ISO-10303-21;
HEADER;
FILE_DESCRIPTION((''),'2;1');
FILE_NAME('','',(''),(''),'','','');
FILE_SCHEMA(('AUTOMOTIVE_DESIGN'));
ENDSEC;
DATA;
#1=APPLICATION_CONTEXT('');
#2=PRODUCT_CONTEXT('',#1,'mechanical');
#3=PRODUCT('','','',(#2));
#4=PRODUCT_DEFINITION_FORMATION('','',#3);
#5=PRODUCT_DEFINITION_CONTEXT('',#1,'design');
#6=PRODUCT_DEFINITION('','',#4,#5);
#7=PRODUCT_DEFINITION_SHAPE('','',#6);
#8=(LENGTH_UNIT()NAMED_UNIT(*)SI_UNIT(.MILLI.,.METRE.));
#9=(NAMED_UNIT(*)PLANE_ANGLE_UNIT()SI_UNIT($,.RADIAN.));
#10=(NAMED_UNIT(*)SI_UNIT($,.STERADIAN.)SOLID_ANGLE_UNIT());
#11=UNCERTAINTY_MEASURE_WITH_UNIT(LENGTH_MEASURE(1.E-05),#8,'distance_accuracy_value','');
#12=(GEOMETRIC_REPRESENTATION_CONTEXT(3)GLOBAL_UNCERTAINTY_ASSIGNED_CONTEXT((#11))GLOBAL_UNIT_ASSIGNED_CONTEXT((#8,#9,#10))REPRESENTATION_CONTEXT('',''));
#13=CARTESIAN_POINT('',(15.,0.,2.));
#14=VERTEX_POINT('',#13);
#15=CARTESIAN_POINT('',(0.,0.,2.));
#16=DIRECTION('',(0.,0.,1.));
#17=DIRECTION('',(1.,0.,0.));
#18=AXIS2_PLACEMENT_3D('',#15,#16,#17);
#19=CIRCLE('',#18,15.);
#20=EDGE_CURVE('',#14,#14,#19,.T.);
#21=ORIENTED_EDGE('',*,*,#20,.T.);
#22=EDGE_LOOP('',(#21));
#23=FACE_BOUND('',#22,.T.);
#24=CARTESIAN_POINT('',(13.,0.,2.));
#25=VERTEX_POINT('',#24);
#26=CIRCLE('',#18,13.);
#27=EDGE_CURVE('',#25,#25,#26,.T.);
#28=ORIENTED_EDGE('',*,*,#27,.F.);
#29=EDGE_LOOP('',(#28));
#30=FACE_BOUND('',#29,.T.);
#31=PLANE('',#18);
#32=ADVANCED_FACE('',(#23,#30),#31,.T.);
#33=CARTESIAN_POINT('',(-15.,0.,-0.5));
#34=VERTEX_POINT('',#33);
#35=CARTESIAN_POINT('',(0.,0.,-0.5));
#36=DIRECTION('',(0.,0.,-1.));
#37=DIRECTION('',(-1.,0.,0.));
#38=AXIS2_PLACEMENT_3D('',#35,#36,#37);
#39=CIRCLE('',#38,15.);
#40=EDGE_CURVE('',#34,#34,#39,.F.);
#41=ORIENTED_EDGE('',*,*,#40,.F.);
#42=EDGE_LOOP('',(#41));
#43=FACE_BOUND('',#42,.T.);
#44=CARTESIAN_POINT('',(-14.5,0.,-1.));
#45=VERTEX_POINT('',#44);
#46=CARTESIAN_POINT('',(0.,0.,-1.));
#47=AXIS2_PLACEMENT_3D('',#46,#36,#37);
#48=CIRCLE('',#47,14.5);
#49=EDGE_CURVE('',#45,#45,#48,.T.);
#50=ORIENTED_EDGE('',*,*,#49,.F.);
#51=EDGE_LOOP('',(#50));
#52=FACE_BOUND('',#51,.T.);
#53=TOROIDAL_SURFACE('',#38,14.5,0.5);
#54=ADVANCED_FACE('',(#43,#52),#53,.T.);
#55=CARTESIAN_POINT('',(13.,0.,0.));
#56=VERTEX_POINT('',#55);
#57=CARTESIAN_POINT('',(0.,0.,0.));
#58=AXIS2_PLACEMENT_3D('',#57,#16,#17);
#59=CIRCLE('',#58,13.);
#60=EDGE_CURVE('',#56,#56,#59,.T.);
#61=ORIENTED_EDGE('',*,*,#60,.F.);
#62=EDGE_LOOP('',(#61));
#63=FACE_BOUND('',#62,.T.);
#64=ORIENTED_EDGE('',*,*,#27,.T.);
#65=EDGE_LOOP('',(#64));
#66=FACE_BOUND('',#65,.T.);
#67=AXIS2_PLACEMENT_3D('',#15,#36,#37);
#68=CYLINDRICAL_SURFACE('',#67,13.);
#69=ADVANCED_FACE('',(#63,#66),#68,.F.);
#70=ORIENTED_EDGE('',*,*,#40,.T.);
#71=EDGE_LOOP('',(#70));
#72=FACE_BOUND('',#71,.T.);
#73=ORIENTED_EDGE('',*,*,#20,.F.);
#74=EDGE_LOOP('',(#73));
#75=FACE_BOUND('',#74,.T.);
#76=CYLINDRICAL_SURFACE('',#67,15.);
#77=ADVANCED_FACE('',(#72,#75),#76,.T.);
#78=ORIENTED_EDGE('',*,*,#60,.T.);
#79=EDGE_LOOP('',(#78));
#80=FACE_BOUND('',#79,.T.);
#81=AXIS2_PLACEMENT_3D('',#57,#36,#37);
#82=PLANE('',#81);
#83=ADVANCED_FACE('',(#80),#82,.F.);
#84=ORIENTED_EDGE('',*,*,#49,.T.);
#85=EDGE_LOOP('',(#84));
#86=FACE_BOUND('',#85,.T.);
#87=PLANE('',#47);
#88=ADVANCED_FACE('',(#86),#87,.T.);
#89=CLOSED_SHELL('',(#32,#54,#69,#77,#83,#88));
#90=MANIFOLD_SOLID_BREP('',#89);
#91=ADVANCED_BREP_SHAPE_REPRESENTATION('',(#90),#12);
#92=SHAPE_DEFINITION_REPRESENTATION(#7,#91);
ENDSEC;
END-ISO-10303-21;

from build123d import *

# Parameters (mm, degrees)
SKETCH1_R           = 15
SKETCH1_R_2         = 13
BOSS_EXTRUDE1_DEPTH = 2
BOSS_EXTRUDE2_START = 1
SKETCH2_R           = 15
BOSS_EXTRUDE2_DEPTH = 1
FILLET1_R           = 0.5


with BuildPart() as part:
    # Sketch1 → Boss-Extrude1 (new body)
    with BuildSketch(Plane.XY):
        Circle(SKETCH1_R)
        Circle(SKETCH1_R_2, mode=Mode.SUBTRACT)
    extrude(amount=BOSS_EXTRUDE1_DEPTH)

    # Sketch2 → Boss-Extrude2 (add)
    with BuildSketch(Plane(origin=(0, 0, 0), x_dir=(-1, 0, 0), z_dir=(0, 0, -1)).offset(BOSS_EXTRUDE2_START)):
        Circle(SKETCH2_R)
    extrude(amount=-BOSS_EXTRUDE2_DEPTH)

    # Fillet1
    fillet1_edges = [part.edges().sort_by_distance(p)[0] for p in [
        (15, 0, -1),
    ]]
    fillet(fillet1_edges, radius=FILLET1_R)


solid = part.part
